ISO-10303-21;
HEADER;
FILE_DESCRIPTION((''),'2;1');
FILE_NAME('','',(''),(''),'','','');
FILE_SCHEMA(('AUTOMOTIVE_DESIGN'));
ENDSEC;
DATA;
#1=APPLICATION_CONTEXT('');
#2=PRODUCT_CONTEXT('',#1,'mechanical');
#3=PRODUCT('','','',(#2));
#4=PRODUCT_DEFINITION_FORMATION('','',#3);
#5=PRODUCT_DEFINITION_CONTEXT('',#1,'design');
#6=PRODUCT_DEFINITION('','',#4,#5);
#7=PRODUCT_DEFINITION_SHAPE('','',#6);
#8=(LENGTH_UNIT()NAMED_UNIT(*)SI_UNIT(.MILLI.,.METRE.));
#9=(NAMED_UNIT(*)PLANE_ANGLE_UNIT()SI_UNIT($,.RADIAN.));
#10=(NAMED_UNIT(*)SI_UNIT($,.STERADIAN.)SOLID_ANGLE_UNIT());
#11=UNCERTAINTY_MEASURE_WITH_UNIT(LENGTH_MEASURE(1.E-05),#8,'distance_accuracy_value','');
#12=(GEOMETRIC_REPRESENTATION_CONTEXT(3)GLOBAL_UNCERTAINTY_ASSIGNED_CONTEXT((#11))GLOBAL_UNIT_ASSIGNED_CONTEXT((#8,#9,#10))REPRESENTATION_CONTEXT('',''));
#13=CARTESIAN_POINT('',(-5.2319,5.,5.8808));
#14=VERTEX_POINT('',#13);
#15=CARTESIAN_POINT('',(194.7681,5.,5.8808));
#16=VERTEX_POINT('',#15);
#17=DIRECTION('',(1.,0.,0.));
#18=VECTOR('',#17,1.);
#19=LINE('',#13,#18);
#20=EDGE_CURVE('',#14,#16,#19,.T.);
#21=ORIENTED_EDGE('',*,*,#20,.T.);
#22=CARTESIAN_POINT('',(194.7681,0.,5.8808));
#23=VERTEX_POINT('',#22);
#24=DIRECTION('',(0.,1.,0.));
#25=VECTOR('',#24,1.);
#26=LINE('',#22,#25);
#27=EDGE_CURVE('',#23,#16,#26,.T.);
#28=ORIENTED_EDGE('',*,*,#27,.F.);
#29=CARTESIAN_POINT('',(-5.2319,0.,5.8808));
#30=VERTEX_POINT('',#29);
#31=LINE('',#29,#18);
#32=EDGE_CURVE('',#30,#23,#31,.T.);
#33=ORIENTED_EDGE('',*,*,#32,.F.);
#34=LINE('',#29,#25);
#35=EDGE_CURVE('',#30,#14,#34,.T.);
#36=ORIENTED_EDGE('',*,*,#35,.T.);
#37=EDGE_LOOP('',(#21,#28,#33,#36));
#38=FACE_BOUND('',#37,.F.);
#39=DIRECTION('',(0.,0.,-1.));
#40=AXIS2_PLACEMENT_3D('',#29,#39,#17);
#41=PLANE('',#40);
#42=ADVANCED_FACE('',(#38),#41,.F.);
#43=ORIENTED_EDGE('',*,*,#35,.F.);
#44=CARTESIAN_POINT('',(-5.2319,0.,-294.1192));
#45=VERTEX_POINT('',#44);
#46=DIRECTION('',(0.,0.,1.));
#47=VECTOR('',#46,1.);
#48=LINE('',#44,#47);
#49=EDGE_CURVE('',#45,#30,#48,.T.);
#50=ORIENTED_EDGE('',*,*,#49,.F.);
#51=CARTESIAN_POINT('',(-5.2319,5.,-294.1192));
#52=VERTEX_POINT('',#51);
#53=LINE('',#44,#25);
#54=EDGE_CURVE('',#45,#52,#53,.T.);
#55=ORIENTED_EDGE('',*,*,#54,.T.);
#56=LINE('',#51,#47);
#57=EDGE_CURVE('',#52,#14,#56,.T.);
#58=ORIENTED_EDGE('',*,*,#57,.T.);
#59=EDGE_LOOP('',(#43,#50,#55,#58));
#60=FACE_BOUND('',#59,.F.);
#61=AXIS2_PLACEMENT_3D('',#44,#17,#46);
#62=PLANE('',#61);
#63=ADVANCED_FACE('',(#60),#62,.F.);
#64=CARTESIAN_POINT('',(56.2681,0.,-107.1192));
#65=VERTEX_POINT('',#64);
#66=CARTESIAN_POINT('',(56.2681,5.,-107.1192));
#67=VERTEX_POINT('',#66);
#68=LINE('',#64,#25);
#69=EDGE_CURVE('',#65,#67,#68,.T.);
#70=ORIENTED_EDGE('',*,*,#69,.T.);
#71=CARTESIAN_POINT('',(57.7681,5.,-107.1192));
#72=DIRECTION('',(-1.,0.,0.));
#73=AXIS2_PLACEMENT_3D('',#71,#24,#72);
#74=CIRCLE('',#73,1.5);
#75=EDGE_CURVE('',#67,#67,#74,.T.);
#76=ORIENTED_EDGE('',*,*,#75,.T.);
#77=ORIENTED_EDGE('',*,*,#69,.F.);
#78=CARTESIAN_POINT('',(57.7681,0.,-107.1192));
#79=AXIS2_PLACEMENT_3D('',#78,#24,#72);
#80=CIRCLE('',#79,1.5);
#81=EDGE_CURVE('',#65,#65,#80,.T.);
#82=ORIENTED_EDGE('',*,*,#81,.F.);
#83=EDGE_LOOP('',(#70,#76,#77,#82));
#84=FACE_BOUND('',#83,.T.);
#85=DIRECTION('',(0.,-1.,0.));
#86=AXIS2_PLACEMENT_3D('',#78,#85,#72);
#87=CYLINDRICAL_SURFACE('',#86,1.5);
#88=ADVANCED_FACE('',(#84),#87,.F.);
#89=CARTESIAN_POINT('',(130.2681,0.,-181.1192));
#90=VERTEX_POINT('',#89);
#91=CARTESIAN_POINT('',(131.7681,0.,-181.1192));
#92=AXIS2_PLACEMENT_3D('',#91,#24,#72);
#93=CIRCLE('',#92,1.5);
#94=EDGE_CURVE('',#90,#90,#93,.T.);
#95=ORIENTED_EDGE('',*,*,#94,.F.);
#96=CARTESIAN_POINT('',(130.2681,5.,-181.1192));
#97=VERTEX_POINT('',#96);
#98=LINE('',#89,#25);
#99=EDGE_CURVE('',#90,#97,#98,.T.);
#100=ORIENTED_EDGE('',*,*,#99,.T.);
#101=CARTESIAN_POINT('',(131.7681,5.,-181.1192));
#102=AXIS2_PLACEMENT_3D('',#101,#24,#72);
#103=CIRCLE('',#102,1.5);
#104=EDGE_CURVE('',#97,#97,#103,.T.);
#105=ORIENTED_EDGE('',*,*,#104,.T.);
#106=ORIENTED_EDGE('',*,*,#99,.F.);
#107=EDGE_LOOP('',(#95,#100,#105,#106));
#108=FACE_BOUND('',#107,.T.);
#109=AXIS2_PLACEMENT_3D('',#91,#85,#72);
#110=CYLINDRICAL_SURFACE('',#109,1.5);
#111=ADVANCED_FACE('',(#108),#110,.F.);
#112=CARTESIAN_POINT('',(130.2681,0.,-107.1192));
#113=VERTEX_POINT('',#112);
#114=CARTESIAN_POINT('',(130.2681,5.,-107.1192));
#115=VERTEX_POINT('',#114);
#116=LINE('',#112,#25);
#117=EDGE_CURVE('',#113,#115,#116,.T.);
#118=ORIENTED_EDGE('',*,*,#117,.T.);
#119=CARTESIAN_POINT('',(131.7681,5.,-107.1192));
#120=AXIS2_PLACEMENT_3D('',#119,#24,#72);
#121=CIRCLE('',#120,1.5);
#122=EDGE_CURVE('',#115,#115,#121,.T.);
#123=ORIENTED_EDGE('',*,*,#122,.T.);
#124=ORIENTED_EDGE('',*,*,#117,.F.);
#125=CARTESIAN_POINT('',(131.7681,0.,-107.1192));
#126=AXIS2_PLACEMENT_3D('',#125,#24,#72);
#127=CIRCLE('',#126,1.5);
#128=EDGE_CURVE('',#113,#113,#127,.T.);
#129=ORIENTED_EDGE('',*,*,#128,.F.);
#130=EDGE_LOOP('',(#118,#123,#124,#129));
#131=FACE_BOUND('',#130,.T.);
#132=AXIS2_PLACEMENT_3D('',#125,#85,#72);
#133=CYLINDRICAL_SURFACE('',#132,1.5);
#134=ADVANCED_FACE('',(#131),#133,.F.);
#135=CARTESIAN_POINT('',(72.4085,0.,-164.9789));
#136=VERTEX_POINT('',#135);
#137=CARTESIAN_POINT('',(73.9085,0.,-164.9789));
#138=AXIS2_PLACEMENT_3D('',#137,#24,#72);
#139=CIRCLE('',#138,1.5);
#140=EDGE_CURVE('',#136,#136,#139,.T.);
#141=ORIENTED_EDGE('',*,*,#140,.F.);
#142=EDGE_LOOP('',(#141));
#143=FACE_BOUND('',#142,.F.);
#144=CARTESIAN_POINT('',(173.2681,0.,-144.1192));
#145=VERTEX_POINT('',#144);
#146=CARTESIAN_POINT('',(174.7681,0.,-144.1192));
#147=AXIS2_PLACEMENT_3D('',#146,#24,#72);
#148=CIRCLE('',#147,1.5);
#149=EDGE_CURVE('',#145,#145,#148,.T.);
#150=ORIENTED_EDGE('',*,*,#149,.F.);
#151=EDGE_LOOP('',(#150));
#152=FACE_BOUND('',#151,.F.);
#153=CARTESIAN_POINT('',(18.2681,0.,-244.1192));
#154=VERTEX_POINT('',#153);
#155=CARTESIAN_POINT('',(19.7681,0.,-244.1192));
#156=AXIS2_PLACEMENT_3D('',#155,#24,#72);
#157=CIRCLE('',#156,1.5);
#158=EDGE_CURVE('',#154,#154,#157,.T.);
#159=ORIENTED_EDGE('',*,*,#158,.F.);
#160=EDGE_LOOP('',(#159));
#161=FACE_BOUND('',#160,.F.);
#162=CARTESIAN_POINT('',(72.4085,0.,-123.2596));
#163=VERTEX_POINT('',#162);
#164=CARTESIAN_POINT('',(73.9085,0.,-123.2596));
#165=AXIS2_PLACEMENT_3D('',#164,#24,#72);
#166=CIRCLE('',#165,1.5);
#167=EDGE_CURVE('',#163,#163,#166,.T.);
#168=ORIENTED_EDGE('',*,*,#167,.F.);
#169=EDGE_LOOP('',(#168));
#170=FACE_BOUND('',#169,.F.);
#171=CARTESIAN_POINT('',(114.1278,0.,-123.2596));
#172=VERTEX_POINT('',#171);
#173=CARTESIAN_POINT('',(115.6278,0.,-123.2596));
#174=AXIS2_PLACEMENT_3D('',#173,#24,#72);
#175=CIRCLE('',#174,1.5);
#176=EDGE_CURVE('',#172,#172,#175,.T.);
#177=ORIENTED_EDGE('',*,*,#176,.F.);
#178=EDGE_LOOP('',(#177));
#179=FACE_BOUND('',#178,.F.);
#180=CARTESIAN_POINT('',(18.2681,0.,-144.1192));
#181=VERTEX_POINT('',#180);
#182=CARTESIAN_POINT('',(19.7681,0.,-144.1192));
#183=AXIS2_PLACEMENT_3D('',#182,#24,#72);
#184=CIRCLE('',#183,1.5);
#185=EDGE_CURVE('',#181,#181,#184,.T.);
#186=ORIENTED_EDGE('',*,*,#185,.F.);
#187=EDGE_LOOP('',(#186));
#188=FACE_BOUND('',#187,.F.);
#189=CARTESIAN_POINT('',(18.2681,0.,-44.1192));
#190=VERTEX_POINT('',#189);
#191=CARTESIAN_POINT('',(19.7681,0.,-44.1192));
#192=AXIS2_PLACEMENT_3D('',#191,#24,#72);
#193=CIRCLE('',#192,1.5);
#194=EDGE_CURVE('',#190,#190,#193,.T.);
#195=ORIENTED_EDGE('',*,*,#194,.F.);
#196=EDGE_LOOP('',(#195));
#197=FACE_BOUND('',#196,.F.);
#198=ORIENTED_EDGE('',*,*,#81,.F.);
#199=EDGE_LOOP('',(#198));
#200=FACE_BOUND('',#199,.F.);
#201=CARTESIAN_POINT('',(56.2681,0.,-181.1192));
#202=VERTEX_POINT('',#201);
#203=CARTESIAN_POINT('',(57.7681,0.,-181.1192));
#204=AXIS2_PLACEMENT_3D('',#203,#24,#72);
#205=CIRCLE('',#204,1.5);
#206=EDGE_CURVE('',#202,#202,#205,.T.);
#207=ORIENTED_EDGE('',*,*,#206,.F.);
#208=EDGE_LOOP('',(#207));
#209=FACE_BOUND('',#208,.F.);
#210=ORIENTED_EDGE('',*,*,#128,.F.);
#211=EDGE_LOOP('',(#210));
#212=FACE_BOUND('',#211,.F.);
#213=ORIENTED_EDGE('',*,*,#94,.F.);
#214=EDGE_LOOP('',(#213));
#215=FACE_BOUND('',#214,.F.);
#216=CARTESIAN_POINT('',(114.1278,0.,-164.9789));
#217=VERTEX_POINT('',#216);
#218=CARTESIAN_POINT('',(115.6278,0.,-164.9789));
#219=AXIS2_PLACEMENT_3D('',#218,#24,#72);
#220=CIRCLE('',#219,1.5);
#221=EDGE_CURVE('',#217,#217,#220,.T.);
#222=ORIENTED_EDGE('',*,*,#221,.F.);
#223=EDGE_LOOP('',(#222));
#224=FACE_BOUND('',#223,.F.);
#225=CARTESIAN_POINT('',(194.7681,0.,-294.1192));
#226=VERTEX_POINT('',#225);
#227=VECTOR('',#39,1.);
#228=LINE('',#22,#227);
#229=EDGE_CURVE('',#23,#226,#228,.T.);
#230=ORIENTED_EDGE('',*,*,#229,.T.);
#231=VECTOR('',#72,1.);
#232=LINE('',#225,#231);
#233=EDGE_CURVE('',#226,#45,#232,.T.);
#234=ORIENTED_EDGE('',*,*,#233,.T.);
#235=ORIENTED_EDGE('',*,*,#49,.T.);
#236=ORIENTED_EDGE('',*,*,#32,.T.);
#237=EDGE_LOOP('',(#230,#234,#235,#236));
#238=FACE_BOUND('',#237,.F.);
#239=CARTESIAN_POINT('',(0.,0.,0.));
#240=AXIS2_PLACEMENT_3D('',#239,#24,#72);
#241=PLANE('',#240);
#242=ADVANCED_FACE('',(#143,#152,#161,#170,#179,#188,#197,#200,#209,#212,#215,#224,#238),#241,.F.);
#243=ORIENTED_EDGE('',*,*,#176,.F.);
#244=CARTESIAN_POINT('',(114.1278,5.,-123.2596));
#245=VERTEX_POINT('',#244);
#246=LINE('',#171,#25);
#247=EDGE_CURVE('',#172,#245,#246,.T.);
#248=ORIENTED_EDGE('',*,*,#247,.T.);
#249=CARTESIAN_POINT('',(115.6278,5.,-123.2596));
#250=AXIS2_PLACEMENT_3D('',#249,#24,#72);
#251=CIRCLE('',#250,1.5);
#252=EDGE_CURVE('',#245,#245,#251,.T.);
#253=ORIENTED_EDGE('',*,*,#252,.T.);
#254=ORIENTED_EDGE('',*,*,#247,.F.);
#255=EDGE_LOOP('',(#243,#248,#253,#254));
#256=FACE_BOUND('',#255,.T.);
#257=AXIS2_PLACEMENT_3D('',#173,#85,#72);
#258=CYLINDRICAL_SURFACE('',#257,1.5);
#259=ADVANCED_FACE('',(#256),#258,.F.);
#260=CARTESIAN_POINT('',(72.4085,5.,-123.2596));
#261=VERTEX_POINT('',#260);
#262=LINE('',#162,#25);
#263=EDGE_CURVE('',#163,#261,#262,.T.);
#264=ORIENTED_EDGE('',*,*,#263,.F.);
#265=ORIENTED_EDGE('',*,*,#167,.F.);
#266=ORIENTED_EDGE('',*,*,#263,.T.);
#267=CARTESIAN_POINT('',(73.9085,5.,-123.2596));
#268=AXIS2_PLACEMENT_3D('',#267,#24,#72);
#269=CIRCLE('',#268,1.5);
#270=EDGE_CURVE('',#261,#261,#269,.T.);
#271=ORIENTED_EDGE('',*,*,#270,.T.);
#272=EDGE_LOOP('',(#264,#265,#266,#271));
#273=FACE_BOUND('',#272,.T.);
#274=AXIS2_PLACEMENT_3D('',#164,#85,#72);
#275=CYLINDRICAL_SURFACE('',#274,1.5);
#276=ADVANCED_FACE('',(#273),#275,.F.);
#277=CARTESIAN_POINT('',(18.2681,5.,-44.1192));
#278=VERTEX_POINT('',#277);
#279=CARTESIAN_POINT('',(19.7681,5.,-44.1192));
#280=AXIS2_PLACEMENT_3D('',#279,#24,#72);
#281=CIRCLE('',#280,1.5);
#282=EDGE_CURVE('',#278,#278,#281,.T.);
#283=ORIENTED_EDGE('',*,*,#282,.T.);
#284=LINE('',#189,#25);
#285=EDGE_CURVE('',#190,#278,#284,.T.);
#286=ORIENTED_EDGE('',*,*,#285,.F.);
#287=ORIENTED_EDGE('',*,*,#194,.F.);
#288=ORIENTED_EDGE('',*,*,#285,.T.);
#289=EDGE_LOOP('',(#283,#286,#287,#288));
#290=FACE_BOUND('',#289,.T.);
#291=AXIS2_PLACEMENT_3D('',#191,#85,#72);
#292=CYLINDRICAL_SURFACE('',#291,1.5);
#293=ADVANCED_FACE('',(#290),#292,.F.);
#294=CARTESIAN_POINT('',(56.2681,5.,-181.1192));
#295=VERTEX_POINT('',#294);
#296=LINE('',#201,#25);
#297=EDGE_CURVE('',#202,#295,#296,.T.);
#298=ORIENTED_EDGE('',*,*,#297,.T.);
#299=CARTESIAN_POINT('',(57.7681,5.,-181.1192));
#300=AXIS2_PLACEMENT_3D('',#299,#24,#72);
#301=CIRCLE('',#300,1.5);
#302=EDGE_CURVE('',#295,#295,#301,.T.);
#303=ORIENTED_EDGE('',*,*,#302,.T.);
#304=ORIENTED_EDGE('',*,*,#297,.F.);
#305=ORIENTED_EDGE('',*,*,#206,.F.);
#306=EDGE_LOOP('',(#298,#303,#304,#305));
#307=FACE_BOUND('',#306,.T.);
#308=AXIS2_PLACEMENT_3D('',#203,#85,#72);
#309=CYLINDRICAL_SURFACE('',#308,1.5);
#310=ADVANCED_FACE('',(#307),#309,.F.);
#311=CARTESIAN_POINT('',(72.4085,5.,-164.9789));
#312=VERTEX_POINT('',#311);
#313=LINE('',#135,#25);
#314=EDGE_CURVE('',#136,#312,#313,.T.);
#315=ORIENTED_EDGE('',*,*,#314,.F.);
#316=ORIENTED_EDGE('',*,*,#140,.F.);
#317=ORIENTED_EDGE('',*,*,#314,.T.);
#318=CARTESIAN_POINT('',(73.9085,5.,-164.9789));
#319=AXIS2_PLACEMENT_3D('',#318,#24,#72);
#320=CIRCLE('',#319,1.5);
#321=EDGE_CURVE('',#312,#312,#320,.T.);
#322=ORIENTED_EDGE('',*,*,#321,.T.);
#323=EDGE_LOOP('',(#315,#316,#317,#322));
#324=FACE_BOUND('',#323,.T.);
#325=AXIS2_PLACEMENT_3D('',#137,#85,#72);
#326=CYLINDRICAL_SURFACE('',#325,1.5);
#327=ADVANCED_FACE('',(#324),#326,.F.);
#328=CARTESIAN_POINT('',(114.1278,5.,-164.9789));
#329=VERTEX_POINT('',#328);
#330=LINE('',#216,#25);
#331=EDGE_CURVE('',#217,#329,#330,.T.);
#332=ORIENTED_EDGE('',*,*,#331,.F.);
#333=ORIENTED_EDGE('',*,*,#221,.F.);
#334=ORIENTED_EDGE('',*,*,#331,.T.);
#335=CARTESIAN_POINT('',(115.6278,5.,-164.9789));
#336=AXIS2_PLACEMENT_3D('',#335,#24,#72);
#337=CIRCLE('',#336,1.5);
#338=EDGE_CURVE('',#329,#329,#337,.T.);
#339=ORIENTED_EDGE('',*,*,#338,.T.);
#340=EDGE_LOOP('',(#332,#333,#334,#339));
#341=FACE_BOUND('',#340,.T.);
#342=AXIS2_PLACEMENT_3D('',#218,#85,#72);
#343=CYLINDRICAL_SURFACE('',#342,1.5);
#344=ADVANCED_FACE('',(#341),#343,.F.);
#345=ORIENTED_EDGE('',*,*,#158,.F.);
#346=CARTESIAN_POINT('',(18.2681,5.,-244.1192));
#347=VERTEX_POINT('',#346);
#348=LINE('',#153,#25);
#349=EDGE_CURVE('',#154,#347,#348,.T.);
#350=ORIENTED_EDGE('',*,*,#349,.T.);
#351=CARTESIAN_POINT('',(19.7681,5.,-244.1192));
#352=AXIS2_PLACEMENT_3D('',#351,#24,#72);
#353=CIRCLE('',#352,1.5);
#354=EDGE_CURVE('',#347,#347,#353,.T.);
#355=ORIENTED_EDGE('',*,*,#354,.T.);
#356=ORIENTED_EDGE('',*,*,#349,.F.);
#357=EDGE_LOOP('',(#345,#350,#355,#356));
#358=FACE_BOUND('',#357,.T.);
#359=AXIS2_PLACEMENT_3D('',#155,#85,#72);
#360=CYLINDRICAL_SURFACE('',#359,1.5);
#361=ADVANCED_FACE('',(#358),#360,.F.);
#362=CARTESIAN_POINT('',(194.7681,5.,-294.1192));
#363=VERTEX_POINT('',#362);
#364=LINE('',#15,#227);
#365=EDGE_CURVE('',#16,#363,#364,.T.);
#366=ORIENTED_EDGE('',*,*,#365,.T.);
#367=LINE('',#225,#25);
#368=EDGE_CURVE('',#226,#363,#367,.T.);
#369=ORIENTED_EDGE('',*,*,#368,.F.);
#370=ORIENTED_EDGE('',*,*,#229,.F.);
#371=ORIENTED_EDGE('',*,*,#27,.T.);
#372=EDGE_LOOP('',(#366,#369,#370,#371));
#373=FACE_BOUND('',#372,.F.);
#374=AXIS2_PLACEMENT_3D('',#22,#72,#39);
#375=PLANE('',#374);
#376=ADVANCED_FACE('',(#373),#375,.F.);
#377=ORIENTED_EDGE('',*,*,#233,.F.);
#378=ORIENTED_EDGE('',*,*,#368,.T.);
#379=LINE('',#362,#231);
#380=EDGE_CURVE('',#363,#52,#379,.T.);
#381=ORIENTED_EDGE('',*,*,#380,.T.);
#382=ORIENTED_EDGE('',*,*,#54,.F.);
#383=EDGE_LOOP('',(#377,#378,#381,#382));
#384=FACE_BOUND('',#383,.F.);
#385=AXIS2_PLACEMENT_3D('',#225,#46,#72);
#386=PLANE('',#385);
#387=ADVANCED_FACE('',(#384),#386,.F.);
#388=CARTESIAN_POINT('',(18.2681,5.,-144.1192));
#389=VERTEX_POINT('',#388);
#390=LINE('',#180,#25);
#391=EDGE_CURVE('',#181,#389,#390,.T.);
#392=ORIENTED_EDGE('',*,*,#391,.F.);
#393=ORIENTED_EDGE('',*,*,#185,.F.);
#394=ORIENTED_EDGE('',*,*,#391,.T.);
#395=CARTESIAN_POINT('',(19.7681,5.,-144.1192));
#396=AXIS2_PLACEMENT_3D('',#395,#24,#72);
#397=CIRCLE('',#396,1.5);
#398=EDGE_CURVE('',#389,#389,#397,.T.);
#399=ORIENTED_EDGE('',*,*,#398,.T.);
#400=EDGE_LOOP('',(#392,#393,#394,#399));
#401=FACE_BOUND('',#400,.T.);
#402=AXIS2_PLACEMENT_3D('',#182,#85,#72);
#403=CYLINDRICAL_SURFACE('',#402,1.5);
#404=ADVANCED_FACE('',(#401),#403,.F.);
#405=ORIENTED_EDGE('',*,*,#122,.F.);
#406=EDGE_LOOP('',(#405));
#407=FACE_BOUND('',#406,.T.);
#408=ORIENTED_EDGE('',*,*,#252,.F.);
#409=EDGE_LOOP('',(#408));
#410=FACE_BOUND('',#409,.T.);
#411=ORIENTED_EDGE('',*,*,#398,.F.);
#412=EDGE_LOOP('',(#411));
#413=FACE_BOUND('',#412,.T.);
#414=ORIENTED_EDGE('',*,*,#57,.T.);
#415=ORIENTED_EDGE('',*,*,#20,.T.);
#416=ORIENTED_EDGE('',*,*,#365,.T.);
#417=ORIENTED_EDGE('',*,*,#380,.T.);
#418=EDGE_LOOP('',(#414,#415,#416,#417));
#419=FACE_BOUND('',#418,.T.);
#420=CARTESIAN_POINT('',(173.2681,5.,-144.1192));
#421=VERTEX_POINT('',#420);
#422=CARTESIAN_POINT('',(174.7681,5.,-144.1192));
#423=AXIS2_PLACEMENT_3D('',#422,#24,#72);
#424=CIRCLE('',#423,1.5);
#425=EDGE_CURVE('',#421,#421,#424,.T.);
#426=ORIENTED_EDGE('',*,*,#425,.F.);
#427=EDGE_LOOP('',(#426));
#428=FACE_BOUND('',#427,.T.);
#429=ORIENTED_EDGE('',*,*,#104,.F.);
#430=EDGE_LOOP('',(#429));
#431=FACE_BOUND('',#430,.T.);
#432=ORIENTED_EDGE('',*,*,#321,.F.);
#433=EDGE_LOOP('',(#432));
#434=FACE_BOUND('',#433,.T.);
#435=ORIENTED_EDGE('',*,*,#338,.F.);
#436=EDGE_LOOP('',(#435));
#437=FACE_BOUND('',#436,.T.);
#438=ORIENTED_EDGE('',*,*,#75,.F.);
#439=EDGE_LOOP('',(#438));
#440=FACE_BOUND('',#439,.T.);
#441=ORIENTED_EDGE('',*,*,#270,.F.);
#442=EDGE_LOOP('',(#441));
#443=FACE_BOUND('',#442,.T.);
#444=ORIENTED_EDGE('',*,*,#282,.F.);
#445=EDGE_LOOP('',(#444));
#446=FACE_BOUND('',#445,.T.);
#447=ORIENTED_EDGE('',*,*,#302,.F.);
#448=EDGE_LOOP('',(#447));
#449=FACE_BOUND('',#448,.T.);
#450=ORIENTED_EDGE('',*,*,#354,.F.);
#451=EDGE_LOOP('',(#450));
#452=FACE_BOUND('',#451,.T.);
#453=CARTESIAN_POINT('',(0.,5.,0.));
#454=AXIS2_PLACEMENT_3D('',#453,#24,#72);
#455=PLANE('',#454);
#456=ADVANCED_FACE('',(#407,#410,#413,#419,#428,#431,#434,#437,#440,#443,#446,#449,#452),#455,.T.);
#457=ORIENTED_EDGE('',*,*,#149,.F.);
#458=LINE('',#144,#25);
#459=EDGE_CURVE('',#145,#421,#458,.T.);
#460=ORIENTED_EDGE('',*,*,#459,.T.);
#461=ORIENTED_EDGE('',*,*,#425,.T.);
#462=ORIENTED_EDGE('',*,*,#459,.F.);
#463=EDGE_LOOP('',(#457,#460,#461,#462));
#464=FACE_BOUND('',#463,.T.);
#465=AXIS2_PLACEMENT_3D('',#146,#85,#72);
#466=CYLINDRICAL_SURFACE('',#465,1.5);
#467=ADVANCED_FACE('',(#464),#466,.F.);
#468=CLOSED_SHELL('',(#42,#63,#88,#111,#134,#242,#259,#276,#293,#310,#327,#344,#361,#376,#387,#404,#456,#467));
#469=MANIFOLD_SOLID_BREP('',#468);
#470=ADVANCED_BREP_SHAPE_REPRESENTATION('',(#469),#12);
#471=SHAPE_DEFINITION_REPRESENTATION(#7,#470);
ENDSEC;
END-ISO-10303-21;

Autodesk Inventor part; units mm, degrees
ref_plane "YZ Plane" through (0, 0, 0) normal (1, 0, 0) x (0, 1, 0)
ref_plane "XZ Plane" through (0, 0, 0) normal (0, 1, 0) x (-1, 0, 0)
ref_plane "XY Plane" through (0, 0, 0) normal (0, 0, 1) x (1, 0, 0)
sketch "Sketch1" plane through (0, 0, 0) normal (0, 1, 0) x (-1, 0, 0)
  line L0 (5.2319, 5.8808) -> (-194.7681, 5.8808)
  line L1 (-194.7681, 5.8808) -> (-194.7681, -294.1192)
  line L2 (-194.7681, -294.1192) -> (5.2319, -294.1192)
  line L3 (5.2319, -294.1192) -> (5.2319, 5.8808)
  circle A0 centre (-73.9085, -123.2596) radius 1.5
  circle A1 centre (-73.9085, -164.9789) radius 1.5
  circle A2 centre (-115.6278, -123.2596) radius 1.5
  circle A3 centre (-115.6278, -164.9789) radius 1.5
  circle A4 centre (-131.7681, -181.1192) radius 1.5
  circle A5 centre (-57.7681, -181.1192) radius 1.5
  circle A6 centre (-57.7681, -107.1192) radius 1.5
  circle A7 centre (-131.7681, -107.1192) radius 1.5
  circle A8 centre (-19.7681, -144.1192) radius 1.5
  circle A9 centre (-19.7681, -44.1192) radius 1.5
  circle A10 centre (-19.7681, -244.1192) radius 1.5
  circle A11 centre (-174.7681, -144.1192) radius 1.5
  point P0 (0, 0)
  point P1 (-94.7681, -144.1192)
  dimension "d0" = 300
  dimension "d1" = 200
  dimension "d19" = 150
  dimension "d20" = 100
  dimension "d25" = 29.5
  dimension "d26" = 29.5
  dimension "d27" = 29.5
  dimension "d28" = 29.5
  dimension "d29" = 79.1403
  dimension "d30" = 129.1404
  dimension "d31" = 79.1403
  dimension "d32" = 129.1404
  dimension "d33" = 3
  dimension "d34" = 3
  dimension "d35" = 3
  dimension "d36" = 3
  dimension "d37" = 37
  dimension "d38" = 37
  dimension "d39" = 3
  dimension "d40" = 37
  dimension "d41" = 37
  dimension "d42" = 3
  dimension "d43" = 37
  dimension "d44" = 37
  dimension "d45" = 3
  dimension "d46" = 37
  dimension "d47" = 37
  dimension "d48" = 3
  dimension "d49" = 150
  dimension "d51" = 3
  dimension "d52" = 25
  dimension "d53" = 25
  dimension "d54" = 25
  dimension "d55" = 50
  dimension "d56" = 50
  dimension "d57" = 3
  dimension "d58" = 3
  dimension "d59" = 20
  dimension "d60" = 150
  dimension "d61" = 3
extrude "Extrusion1" add sketch "Sketch1" along normal blind 5
properties part number "toit_robot"
